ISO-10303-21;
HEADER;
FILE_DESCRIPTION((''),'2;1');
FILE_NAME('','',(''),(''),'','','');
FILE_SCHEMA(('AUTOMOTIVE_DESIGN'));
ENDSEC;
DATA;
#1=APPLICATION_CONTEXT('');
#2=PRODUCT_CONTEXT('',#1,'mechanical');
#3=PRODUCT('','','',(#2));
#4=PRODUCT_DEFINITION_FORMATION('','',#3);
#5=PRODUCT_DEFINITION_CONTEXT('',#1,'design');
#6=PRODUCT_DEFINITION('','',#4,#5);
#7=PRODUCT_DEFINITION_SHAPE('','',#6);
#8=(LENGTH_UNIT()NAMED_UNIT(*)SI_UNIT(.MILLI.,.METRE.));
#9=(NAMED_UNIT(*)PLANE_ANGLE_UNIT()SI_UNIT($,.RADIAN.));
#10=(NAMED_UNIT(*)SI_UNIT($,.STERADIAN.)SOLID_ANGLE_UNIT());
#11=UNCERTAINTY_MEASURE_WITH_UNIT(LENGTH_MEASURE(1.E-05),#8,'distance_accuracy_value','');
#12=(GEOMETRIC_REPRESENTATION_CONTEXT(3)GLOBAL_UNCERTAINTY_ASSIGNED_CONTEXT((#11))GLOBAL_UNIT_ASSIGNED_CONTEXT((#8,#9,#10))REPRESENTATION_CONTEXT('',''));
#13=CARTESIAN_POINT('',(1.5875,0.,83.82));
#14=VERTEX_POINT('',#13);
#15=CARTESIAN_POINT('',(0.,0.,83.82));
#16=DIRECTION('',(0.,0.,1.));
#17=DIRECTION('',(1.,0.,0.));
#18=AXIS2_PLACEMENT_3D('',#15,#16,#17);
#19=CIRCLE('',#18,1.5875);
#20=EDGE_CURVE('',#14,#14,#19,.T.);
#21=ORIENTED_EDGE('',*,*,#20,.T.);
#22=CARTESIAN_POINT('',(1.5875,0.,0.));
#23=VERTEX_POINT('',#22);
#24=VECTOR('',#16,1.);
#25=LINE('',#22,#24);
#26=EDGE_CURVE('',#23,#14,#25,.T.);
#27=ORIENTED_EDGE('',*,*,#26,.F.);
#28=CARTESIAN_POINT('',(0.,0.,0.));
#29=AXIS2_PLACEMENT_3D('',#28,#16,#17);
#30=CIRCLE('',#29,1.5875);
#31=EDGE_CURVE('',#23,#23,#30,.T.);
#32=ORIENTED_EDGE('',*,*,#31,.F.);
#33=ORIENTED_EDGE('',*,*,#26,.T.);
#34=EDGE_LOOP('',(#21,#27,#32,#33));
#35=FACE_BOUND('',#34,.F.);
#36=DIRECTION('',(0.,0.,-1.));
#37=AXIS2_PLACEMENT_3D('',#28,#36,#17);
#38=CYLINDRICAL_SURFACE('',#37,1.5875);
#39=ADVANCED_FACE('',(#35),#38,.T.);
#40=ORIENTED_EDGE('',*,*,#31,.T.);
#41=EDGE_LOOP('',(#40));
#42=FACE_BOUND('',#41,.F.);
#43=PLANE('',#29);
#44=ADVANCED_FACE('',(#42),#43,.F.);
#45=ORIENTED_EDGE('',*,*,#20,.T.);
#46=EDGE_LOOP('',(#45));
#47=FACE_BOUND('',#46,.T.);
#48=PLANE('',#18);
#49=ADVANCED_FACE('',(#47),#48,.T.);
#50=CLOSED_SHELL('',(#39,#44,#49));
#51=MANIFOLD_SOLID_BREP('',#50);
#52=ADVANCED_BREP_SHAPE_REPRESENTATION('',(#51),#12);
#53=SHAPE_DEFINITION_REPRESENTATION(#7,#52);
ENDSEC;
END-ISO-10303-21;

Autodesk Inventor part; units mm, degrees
ref_plane "YZ Plane" through (0, 0, 0) normal (1, 0, 0) x (0, 1, 0)
ref_plane "XZ Plane" through (0, 0, 0) normal (0, 1, 0) x (-1, 0, 0)
ref_plane "XY Plane" through (0, 0, 0) normal (0, 0, 1) x (1, 0, 0)
sketch "Sketch1" plane through (0, 0, 0) normal (0, 0, 1) x (1, 0, 0)
  point P0 (0, 0)
sketch "Sketch2" plane through (0, 0, 0) normal (0, 0, 1) x (1, 0, 0)
  circle A0 centre (0, 0) radius 1.5875
  dimension "d0" = 3.175
extrude "Extrusion1" add sketch "Sketch2" along normal blind 83.82
properties part number "ModuleHolderBar"
